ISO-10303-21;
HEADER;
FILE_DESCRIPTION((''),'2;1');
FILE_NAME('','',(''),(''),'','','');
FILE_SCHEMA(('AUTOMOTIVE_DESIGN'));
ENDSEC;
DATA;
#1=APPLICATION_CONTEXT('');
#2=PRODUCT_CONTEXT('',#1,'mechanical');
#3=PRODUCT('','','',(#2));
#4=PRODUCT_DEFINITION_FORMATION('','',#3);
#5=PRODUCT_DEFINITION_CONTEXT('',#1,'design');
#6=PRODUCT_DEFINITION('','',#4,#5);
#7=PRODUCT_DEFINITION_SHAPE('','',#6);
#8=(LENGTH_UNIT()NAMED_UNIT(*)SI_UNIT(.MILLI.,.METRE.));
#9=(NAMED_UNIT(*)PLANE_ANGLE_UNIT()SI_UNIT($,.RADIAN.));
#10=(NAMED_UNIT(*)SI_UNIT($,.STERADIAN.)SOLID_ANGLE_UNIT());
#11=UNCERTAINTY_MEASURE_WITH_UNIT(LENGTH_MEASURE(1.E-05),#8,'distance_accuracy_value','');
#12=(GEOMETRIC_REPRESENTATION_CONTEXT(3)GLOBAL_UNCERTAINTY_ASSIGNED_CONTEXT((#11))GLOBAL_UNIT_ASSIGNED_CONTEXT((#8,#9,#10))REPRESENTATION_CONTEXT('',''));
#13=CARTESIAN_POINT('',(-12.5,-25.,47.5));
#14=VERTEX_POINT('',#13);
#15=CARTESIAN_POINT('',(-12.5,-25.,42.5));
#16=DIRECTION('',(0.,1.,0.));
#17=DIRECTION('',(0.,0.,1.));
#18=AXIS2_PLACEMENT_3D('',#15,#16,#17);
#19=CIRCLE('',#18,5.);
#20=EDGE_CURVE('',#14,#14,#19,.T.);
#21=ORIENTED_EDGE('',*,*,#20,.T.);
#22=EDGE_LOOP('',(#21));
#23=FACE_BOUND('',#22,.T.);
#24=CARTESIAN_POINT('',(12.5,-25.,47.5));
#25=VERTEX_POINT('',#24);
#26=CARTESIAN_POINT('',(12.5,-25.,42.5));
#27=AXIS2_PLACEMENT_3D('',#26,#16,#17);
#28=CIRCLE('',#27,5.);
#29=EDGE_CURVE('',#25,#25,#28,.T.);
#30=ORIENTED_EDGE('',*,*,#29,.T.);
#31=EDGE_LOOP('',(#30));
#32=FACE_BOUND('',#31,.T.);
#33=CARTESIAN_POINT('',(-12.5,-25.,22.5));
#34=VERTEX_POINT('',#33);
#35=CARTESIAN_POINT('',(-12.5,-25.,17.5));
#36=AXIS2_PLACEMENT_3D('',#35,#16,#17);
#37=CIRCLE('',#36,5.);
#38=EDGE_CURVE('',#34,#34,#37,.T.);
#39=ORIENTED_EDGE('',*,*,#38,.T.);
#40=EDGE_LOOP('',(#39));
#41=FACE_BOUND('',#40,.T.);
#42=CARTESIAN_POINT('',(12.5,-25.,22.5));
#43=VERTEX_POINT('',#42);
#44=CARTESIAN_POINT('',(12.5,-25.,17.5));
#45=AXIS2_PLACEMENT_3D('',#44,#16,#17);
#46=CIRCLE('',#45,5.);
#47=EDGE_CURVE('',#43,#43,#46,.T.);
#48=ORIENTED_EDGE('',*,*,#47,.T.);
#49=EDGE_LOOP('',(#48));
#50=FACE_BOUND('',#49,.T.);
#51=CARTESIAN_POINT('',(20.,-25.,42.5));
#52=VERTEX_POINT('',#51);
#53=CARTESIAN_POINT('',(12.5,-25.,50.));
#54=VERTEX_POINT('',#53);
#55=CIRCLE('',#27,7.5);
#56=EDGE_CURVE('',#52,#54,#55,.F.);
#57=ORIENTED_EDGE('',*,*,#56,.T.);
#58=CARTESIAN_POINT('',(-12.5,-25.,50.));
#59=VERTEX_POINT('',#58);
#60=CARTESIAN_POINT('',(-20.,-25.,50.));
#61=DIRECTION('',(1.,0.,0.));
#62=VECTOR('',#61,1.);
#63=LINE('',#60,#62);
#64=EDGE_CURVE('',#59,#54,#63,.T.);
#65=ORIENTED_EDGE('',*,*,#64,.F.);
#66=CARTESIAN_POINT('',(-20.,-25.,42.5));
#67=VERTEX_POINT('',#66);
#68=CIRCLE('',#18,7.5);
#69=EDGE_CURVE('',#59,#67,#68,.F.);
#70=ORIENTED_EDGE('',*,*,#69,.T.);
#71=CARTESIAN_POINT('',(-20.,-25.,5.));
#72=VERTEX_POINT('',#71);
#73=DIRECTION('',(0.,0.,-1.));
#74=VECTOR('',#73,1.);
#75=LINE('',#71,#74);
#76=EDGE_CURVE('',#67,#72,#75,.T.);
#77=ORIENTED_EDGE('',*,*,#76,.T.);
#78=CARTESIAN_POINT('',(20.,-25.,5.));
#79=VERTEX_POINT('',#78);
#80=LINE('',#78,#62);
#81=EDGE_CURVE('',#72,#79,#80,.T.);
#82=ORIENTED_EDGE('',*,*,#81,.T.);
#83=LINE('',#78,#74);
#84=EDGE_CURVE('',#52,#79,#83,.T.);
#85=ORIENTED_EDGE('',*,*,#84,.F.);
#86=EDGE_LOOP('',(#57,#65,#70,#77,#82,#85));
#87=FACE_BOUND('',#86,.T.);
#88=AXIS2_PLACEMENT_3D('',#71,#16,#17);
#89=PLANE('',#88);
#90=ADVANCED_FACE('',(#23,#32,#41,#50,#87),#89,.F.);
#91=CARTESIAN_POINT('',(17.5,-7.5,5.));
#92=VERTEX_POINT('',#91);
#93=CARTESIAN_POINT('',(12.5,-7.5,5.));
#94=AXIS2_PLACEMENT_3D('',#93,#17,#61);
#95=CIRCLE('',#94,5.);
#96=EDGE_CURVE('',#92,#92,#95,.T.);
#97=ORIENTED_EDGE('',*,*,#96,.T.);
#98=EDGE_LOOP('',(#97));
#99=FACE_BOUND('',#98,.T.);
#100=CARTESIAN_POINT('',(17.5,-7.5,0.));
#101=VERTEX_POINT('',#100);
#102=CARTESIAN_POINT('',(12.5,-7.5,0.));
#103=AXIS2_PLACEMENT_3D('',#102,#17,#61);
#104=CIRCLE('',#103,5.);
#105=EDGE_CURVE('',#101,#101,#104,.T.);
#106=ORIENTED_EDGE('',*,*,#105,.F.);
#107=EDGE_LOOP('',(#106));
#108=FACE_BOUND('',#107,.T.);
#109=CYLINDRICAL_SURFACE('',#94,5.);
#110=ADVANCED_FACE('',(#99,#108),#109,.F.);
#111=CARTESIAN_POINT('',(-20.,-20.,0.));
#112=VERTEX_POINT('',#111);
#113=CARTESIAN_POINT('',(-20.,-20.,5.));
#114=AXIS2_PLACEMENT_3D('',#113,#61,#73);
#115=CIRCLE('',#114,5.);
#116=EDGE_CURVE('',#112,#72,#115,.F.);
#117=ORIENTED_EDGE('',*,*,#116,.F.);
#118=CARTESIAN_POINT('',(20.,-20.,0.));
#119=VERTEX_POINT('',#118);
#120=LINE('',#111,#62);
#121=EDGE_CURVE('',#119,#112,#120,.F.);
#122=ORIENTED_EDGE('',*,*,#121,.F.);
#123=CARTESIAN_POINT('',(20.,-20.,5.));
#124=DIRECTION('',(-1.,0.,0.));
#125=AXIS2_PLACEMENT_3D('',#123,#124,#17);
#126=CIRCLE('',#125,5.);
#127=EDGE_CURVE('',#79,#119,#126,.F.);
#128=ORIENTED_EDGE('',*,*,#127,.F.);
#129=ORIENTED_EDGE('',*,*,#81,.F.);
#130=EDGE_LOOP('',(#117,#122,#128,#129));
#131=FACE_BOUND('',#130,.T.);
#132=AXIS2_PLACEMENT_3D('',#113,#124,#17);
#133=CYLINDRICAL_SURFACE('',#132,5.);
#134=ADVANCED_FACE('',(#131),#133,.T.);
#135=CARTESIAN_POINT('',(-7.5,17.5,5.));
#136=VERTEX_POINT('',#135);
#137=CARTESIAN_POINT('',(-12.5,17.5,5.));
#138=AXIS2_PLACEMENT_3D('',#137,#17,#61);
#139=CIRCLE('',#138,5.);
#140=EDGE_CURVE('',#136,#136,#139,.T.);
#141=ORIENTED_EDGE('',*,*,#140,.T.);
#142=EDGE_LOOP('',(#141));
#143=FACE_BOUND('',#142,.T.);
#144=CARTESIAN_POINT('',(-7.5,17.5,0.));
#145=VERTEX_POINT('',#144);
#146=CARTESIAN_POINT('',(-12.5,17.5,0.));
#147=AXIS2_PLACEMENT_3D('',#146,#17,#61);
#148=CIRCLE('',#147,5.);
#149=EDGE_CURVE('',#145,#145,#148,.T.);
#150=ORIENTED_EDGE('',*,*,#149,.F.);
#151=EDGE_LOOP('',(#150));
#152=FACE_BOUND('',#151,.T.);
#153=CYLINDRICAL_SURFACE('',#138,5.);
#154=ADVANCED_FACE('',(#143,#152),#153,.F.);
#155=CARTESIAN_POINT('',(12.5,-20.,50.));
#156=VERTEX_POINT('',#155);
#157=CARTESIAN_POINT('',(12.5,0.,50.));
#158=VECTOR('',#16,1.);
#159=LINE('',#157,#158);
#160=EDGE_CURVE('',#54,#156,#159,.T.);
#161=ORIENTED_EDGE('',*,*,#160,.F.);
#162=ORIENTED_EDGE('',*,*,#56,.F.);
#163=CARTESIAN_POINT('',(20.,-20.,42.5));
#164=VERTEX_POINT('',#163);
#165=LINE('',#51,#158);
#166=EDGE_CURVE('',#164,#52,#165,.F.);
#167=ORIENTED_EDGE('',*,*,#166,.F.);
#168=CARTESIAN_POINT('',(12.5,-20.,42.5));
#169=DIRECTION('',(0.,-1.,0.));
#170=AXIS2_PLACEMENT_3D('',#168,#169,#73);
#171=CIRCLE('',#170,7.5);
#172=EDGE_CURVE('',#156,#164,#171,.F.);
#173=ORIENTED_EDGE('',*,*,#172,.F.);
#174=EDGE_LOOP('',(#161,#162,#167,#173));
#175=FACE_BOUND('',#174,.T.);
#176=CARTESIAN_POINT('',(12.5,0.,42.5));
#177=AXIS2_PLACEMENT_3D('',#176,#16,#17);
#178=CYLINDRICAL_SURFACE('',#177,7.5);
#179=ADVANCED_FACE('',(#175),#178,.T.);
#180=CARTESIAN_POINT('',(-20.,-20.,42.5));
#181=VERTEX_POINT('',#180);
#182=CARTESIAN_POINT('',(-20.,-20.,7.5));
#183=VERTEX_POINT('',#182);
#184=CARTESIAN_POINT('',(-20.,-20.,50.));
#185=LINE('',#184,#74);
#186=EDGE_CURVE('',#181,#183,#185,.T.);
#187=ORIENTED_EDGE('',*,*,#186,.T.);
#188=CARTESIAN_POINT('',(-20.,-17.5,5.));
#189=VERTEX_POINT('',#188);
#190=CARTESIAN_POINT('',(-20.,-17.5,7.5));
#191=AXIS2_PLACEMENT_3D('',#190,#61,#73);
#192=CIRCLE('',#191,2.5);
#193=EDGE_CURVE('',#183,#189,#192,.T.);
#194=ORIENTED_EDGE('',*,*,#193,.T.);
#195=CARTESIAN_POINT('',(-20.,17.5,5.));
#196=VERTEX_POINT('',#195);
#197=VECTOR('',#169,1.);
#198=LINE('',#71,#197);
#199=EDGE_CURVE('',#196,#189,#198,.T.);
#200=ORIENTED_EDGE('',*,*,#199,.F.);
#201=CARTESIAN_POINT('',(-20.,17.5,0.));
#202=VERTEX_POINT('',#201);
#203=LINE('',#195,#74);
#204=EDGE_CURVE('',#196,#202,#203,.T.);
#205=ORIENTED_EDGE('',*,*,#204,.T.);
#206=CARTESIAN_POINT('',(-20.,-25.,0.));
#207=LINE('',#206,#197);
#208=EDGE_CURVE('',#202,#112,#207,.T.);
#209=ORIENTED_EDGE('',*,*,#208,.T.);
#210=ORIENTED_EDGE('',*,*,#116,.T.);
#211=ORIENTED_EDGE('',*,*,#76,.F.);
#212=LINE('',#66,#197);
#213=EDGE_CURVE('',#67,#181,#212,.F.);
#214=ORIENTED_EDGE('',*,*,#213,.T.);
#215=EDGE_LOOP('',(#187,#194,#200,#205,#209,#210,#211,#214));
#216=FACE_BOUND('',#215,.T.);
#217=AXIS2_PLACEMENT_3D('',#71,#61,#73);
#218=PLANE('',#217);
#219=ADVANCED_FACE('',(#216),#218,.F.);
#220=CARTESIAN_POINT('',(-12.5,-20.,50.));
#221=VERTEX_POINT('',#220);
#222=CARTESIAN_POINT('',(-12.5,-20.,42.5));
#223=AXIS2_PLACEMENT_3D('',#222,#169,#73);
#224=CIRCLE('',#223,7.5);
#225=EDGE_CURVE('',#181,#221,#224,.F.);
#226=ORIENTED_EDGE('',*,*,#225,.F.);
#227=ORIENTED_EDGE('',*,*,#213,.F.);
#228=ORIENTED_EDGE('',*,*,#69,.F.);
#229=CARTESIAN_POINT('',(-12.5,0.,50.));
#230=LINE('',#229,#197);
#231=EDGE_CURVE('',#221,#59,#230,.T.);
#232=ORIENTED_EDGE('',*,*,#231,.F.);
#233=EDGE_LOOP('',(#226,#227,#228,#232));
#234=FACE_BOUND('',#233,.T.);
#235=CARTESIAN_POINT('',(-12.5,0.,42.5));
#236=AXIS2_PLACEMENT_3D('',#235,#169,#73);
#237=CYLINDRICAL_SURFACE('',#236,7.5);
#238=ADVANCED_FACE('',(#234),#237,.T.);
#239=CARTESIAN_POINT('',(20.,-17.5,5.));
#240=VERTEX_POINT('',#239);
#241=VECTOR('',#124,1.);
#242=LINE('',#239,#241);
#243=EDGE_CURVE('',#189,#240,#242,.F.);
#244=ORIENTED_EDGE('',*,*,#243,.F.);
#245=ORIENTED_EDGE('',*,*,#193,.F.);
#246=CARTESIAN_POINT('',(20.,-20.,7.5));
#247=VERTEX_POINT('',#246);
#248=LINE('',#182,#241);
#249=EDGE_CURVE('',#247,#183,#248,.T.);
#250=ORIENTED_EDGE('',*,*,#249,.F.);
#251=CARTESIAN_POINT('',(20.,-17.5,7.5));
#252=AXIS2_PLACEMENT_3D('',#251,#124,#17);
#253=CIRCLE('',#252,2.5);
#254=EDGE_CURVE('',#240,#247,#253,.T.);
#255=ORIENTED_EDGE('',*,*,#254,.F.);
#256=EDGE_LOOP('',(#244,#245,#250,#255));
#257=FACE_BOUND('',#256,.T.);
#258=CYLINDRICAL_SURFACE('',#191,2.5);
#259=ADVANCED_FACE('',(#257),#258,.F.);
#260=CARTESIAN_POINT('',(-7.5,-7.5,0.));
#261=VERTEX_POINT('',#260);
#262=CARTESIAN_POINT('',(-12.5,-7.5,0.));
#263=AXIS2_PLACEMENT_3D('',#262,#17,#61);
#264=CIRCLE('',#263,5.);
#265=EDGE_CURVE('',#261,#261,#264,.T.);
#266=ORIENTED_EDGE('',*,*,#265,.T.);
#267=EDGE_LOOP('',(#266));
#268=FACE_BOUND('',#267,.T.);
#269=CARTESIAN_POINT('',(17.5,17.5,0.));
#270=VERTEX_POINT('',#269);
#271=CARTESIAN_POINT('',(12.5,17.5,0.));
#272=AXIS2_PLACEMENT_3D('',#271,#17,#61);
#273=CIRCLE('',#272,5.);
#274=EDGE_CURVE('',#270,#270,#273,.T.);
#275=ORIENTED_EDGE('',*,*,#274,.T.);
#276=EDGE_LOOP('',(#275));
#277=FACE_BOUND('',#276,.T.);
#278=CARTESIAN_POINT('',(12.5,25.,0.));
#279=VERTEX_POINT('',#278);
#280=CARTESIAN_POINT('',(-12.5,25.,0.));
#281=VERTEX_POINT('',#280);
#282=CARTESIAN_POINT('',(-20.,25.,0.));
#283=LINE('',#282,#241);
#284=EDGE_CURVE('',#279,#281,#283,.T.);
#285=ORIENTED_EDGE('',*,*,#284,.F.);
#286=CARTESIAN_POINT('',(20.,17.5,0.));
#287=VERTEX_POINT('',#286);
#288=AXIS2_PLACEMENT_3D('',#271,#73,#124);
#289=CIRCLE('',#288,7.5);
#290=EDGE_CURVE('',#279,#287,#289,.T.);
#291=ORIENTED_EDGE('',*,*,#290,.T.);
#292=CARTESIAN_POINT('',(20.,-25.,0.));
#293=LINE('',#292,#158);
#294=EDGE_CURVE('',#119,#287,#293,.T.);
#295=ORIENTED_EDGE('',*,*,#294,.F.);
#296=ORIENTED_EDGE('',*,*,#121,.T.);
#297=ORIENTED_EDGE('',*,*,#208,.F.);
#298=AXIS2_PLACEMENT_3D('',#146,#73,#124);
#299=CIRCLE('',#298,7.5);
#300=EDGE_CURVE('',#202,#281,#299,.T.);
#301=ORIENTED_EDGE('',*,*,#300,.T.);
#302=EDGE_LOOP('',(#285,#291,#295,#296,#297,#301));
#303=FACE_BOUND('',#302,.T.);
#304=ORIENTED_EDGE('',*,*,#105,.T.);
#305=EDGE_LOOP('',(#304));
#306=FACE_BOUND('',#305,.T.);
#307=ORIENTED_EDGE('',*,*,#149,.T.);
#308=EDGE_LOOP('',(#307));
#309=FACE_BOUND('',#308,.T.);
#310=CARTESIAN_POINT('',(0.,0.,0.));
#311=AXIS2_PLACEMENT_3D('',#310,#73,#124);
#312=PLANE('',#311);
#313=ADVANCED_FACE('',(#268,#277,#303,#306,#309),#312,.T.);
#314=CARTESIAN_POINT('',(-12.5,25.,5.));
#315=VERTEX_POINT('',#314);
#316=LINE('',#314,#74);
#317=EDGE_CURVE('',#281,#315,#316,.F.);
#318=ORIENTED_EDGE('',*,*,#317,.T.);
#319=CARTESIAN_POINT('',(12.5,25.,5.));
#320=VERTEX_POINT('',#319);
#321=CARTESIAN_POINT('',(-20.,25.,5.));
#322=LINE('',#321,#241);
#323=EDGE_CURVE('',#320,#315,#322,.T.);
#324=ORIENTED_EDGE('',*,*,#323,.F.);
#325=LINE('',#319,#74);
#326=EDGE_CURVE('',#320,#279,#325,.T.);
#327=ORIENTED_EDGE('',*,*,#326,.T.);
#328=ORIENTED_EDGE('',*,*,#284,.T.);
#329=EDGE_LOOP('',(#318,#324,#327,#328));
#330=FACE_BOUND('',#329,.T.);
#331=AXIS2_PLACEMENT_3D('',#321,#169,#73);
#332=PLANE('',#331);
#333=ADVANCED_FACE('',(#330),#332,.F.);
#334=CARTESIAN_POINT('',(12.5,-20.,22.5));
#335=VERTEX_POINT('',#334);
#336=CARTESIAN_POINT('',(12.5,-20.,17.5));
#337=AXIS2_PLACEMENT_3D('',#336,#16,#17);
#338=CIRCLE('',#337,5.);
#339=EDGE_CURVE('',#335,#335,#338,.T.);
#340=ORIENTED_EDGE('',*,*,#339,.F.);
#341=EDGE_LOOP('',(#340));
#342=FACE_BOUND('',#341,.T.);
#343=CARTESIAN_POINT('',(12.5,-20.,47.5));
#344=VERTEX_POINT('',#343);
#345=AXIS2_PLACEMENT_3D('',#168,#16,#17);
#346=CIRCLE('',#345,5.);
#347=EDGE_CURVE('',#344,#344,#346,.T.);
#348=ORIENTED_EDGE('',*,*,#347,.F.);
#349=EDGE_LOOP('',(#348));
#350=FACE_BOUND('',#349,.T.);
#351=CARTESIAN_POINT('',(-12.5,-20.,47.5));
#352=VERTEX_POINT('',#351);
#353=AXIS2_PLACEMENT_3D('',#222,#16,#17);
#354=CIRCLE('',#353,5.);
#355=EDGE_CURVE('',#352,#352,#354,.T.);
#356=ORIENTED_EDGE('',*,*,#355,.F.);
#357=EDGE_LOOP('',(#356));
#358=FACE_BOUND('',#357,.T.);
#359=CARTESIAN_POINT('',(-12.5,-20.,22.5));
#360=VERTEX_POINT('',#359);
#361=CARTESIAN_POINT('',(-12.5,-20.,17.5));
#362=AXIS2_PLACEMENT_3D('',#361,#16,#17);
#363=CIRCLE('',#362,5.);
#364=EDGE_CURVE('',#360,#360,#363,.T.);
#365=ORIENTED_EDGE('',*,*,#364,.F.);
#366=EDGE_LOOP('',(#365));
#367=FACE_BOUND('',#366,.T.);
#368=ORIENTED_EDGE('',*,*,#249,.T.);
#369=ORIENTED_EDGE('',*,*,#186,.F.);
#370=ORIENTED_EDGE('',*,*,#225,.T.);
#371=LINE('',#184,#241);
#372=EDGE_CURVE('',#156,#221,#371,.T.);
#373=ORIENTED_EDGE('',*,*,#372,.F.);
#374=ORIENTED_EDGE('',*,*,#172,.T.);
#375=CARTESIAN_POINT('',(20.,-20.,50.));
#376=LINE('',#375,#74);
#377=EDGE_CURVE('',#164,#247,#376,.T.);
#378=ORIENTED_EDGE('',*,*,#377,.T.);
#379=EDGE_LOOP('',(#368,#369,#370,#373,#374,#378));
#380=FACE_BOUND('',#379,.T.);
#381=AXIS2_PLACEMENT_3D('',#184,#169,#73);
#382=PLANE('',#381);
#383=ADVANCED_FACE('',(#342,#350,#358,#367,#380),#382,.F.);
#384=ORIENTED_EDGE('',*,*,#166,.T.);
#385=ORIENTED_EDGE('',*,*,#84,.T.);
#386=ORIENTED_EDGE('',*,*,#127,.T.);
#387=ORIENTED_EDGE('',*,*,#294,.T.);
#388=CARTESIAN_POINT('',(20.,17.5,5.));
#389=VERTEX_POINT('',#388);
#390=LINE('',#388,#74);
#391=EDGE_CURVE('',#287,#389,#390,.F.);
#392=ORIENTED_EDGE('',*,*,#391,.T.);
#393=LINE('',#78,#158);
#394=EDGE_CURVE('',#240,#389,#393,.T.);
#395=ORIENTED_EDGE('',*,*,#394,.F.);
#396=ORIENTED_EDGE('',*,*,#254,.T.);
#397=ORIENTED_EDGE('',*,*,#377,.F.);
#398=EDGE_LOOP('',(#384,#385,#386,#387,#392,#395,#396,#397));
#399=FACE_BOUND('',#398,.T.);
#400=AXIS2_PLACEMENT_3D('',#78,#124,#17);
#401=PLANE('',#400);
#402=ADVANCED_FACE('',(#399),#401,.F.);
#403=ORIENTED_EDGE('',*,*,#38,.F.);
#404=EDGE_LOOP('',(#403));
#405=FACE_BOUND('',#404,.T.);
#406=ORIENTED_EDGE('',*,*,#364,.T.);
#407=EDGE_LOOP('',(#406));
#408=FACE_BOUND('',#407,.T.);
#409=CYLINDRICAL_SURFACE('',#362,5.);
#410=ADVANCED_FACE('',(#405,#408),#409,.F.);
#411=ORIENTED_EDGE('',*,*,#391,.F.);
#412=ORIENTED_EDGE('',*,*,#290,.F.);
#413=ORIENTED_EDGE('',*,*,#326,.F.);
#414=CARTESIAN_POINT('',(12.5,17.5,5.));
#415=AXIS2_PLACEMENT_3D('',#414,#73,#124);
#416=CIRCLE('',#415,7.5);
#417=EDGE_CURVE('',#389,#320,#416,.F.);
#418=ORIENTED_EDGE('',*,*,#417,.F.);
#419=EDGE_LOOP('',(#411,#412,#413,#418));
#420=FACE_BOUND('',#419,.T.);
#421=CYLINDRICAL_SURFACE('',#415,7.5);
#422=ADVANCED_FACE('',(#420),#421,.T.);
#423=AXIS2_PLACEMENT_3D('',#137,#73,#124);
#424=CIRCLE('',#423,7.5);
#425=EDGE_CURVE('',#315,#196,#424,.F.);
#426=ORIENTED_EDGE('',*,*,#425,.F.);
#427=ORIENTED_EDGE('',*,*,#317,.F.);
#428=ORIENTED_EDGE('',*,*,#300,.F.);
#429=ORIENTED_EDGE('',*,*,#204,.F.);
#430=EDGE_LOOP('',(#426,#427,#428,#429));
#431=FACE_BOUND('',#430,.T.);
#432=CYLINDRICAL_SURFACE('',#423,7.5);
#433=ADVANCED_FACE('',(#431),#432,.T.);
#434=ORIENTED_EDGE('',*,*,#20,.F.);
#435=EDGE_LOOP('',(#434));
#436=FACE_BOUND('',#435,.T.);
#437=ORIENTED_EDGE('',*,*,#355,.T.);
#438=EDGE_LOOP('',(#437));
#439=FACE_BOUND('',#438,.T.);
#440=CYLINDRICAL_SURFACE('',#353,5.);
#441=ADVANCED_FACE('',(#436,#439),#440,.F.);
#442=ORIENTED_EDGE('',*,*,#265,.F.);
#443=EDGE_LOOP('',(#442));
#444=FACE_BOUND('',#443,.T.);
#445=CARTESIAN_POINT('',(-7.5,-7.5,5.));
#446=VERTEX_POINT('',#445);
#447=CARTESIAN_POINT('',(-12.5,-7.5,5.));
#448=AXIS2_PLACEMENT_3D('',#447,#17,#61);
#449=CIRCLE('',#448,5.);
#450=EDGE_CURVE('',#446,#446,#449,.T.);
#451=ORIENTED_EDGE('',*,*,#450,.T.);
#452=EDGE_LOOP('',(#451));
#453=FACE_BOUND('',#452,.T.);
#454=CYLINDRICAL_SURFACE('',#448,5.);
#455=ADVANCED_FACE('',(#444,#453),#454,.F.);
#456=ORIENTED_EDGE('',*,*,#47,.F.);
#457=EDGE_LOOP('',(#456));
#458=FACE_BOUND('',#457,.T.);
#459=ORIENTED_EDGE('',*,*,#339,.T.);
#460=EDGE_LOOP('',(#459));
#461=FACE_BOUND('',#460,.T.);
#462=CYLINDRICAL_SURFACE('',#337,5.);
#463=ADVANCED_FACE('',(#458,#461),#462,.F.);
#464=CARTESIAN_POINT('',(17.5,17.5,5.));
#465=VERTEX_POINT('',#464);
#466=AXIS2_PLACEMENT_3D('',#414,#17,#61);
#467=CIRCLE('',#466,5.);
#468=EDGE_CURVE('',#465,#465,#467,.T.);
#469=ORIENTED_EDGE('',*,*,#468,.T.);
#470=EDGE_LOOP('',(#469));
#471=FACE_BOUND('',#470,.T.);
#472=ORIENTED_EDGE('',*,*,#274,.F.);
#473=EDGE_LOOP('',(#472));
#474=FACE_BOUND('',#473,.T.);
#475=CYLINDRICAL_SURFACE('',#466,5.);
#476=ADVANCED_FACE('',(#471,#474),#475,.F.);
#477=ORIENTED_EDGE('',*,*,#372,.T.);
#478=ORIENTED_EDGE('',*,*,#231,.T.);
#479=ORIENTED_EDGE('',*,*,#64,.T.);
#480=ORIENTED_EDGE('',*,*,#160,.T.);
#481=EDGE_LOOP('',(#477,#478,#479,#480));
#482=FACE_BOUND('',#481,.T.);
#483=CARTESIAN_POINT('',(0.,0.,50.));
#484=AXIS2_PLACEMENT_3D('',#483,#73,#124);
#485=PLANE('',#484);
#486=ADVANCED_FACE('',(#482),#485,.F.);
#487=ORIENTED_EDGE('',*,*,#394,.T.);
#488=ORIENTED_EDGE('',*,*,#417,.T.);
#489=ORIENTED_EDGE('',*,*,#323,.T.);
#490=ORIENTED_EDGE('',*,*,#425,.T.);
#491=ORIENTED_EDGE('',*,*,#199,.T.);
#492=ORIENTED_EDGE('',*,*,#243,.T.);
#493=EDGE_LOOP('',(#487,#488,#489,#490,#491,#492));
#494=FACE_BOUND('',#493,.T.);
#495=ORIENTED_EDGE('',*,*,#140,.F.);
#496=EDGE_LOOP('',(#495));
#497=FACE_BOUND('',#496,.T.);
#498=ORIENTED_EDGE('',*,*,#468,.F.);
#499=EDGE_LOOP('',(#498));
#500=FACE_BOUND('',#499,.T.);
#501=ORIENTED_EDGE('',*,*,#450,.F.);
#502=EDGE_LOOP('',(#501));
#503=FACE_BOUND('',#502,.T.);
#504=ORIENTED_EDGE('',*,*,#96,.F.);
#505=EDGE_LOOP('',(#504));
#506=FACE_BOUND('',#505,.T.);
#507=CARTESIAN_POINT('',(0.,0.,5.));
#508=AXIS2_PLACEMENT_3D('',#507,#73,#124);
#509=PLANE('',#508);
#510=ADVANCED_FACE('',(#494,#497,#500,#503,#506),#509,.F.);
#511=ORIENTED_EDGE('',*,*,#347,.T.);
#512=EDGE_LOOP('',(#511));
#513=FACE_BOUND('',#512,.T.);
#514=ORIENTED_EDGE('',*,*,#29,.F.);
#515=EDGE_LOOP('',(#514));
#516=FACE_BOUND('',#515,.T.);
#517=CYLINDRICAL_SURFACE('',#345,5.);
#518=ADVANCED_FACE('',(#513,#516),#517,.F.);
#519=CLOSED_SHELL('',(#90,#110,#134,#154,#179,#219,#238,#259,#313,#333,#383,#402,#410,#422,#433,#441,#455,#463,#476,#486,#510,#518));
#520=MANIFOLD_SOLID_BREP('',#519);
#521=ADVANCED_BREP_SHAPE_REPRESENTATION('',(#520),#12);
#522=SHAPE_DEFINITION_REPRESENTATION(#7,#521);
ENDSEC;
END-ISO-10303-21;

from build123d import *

# Parameters (mm, degrees)
SKETCH_6_W      = 40
SKETCH_6_H      = 50
EXTRUDE_7_DEPTH = 5
SKETCH_12_W     = 40
SKETCH_12_H     = 5
EXTRUDE_8_DEPTH = 45
FILLET_9_R      = 2.5
FILLET_10_R     = 5
MM_2_D          = 10
FILLET_11_R     = 7.5
MM_3_D          = 10


with BuildPart() as part:
    # 草图6 → 凸台-拉伸7 (new body)
    with BuildSketch(Plane.XY):
        Rectangle(SKETCH_6_W, SKETCH_6_H)
    extrude(amount=EXTRUDE_7_DEPTH)

    # 草图12 → 凸台-拉伸8 (add)
    with BuildSketch(Plane.XY.offset(5)):
        with Locations((0, -22.5)):
            Rectangle(SKETCH_12_W, SKETCH_12_H)
    extrude(amount=EXTRUDE_8_DEPTH)

    # 圆角9
    fillet_9_edges = [part.edges().sort_by_distance(p)[0] for p in [
        (0, -20, 5),
    ]]
    fillet(fillet_9_edges, radius=FILLET_9_R)

    # 圆角10
    fillet_10_edges = [part.edges().sort_by_distance(p)[0] for p in [
        (0, -25, 0),
    ]]
    fillet(fillet_10_edges, radius=FILLET_10_R)

    # 大小mm 暗销孔2 (through all)
    with Locations(Plane.XY.offset(5)):
        with Locations((-12.5, 17.5), (-12.5, -7.5), (12.5, -7.5), (12.5, 17.5)):
            Hole(MM_2_D / 2)

    # 圆角11
    fillet_11_edges = [part.edges().sort_by_distance(p)[0] for p in [
        (-20, -22.5, 50),
        (20, -22.5, 50),
        (-20, 25, 2.5),
        (20, 25, 2.5),
    ]]
    fillet(fillet_11_edges, radius=FILLET_11_R)

    # 大小mm 暗销孔3 (through all)
    with Locations(Plane(origin=(0, -20, 0), x_dir=(1, 0, 0), z_dir=(0, 1, 0))):
        with Locations((-12.5, -17.5), (12.5, -17.5), (12.5, -42.5), (-12.5, -42.5)):
            Hole(MM_3_D / 2)


solid = part.part
